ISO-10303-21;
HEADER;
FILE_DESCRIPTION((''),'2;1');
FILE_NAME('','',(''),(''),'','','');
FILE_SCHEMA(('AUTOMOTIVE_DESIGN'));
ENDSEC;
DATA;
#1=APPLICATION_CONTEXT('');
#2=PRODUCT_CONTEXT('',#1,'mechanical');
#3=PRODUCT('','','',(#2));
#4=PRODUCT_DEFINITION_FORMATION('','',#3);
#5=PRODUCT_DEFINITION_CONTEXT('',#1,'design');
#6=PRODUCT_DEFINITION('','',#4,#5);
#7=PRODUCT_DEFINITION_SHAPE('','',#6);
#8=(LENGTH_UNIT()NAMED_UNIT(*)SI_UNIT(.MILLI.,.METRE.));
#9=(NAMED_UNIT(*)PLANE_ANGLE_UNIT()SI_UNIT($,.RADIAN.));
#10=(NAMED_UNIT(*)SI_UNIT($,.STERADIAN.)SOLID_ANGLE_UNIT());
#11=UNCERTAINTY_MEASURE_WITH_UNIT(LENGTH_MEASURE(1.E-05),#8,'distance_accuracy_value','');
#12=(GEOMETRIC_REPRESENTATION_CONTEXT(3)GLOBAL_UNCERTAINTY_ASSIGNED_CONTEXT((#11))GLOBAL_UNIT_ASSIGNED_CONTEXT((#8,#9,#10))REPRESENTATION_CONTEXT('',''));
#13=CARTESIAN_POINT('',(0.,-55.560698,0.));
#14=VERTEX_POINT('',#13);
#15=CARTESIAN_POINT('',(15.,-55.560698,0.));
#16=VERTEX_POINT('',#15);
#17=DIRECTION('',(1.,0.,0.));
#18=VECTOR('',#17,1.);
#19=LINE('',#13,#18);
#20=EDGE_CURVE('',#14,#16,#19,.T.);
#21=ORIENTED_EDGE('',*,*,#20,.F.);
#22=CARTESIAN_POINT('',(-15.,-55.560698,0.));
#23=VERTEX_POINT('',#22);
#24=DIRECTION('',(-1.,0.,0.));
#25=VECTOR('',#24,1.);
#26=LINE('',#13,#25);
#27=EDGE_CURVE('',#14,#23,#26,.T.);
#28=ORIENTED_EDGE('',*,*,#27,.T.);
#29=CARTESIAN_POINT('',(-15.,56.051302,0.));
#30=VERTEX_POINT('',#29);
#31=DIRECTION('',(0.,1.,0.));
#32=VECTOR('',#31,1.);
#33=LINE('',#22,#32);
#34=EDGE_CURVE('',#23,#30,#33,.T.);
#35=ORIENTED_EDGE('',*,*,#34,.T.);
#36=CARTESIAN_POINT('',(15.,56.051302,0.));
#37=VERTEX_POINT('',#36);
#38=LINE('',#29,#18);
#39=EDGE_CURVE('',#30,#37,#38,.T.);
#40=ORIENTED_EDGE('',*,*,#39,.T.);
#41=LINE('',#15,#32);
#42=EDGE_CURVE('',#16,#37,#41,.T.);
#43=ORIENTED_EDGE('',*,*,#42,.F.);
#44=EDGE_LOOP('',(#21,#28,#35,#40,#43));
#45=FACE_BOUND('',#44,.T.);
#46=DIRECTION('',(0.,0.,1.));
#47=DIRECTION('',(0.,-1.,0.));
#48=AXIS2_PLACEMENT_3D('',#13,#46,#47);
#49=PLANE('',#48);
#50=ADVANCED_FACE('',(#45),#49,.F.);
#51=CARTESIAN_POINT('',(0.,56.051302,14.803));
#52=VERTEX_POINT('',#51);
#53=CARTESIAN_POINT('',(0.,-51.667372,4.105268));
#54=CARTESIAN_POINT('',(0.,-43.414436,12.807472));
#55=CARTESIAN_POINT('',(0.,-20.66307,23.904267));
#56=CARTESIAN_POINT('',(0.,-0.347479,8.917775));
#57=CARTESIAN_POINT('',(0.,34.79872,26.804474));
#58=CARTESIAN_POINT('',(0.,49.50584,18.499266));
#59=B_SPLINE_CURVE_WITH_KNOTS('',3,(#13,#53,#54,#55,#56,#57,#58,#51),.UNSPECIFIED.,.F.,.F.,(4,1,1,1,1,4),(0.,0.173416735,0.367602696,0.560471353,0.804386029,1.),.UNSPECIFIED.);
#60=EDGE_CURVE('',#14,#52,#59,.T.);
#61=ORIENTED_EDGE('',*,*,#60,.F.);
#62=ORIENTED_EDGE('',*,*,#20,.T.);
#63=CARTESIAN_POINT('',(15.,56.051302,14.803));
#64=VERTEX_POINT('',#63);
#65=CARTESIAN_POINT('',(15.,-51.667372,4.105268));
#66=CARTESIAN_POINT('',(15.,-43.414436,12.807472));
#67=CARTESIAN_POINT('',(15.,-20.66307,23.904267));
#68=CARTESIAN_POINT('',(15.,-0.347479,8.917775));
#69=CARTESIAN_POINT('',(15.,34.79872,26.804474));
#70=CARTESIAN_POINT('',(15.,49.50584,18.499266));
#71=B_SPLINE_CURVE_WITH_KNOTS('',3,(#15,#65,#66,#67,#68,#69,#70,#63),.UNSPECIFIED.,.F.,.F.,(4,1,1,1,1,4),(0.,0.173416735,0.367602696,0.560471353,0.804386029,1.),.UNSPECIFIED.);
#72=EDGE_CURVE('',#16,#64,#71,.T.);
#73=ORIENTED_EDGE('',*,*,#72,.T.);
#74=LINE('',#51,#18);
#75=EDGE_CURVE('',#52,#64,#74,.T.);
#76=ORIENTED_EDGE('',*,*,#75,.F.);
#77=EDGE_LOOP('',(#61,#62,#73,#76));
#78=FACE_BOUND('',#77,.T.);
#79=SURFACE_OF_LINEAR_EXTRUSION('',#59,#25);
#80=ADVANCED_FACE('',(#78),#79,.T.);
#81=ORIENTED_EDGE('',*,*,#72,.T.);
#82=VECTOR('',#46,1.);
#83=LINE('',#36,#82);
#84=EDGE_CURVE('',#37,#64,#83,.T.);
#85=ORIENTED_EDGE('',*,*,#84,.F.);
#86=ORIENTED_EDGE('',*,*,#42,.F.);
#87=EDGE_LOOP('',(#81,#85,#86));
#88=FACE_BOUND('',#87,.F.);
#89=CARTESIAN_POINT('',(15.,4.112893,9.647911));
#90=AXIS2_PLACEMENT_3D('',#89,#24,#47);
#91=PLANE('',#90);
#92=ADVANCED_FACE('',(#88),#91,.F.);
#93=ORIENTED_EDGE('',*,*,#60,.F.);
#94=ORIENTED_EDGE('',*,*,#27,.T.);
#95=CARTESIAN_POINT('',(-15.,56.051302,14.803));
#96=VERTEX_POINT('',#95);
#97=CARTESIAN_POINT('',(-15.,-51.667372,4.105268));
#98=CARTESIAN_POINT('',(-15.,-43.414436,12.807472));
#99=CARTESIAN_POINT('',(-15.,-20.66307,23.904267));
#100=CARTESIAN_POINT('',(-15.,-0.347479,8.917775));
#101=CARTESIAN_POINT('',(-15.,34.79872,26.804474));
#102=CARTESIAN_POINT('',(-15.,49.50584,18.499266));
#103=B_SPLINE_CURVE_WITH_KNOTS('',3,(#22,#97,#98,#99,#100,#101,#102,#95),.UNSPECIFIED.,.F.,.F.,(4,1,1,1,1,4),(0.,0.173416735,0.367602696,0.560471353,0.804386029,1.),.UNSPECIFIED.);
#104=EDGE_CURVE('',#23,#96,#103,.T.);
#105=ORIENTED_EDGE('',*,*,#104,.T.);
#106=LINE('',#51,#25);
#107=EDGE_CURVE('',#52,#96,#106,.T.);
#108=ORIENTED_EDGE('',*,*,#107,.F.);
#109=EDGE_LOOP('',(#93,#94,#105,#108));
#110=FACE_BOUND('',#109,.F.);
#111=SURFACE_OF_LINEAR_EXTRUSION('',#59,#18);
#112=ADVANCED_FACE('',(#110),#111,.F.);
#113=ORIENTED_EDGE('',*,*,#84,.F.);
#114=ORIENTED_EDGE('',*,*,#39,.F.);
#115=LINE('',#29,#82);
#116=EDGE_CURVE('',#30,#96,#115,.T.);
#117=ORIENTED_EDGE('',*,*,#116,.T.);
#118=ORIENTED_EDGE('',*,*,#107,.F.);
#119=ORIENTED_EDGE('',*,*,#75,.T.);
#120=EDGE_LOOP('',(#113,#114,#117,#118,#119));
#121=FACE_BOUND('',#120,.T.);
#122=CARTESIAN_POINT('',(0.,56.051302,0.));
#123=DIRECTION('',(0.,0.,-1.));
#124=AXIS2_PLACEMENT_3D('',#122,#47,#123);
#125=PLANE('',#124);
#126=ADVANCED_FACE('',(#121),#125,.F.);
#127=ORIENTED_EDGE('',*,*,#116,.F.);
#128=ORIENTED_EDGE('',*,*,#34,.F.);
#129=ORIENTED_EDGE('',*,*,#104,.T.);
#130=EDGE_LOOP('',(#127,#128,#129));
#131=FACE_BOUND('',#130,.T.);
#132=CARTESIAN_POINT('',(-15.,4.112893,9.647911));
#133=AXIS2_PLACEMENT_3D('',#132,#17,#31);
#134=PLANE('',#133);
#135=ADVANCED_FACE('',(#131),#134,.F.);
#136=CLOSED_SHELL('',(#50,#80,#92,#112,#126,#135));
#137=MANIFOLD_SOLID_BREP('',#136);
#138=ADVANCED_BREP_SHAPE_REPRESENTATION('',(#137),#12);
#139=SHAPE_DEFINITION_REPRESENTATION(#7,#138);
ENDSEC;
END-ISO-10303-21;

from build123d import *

# Parameters (mm, degrees)
F1_DEPTH = 15


with BuildPart() as f1:
    # F0 (on Right) → F1 (new body)
    with BuildSketch(Plane.YZ):
        with BuildLine():
            add(Edge.make_bspline(
                [(-55.5606980693, 0), (-51.6673719239, 4.1052683078), (-43.4144360964, 12.807471677), (-20.6630697057, 23.9042671323), (-0.3474787341, 8.9177754271), (34.7987202293, 26.8044740202), (49.5058398849, 18.4992658842), (56.0513019307, 14.803)],
                knots=[0, 0, 0, 0, 0.1734167354, 0.3676026962, 0.5604713525, 0.8043860288, 1, 1, 1, 1], degree=3))
            Line((-55.5606980693, 0), (-42.3695630282, 0))
            ThreePointArc((-42.3695630282, 0), (-30.3695630282, 12), (-18.3695630282, 0))
            Line((-18.3695630282, 0), (29.4915357069, 0))
            ThreePointArc((29.4915357069, 0), (38.8891638111, 15.7084417392), (52.8504369718, 3.8698012941))
            ThreePointArc((52.8504369718, 3.8698012941), (52.6890774169, 1.9085281333), (52.2093382366, 0))
            Line((52.2093382366, 0), (56.0513019307, 0))
            Line((56.0513019307, 0), (56.0513019307, 14.803))
        make_face()
        with BuildLine():
            ThreePointArc((-18.3695630282, 0), (-30.3695630282, 12), (-42.3695630282, 0))
            Line((-42.3695630282, 0), (-18.3695630282, 0))
        make_face()
        with BuildLine():
            ThreePointArc((52.8504369718, 3.8698012941), (38.8891638111, 15.7084417392), (29.4915357069, 0))
            Line((29.4915357069, 0), (52.2093382366, 0))
            ThreePointArc((52.2093382366, 0), (52.6890774169, 1.9085281333), (52.8504369718, 3.8698012941))
        make_face()
    extrude(amount=F1_DEPTH)

    # F2: F1 across face


with BuildPart() as f1_1:
    add(f1.part)
    add(f1.part.mirror(Plane.YZ))


solid = f1_1.part
